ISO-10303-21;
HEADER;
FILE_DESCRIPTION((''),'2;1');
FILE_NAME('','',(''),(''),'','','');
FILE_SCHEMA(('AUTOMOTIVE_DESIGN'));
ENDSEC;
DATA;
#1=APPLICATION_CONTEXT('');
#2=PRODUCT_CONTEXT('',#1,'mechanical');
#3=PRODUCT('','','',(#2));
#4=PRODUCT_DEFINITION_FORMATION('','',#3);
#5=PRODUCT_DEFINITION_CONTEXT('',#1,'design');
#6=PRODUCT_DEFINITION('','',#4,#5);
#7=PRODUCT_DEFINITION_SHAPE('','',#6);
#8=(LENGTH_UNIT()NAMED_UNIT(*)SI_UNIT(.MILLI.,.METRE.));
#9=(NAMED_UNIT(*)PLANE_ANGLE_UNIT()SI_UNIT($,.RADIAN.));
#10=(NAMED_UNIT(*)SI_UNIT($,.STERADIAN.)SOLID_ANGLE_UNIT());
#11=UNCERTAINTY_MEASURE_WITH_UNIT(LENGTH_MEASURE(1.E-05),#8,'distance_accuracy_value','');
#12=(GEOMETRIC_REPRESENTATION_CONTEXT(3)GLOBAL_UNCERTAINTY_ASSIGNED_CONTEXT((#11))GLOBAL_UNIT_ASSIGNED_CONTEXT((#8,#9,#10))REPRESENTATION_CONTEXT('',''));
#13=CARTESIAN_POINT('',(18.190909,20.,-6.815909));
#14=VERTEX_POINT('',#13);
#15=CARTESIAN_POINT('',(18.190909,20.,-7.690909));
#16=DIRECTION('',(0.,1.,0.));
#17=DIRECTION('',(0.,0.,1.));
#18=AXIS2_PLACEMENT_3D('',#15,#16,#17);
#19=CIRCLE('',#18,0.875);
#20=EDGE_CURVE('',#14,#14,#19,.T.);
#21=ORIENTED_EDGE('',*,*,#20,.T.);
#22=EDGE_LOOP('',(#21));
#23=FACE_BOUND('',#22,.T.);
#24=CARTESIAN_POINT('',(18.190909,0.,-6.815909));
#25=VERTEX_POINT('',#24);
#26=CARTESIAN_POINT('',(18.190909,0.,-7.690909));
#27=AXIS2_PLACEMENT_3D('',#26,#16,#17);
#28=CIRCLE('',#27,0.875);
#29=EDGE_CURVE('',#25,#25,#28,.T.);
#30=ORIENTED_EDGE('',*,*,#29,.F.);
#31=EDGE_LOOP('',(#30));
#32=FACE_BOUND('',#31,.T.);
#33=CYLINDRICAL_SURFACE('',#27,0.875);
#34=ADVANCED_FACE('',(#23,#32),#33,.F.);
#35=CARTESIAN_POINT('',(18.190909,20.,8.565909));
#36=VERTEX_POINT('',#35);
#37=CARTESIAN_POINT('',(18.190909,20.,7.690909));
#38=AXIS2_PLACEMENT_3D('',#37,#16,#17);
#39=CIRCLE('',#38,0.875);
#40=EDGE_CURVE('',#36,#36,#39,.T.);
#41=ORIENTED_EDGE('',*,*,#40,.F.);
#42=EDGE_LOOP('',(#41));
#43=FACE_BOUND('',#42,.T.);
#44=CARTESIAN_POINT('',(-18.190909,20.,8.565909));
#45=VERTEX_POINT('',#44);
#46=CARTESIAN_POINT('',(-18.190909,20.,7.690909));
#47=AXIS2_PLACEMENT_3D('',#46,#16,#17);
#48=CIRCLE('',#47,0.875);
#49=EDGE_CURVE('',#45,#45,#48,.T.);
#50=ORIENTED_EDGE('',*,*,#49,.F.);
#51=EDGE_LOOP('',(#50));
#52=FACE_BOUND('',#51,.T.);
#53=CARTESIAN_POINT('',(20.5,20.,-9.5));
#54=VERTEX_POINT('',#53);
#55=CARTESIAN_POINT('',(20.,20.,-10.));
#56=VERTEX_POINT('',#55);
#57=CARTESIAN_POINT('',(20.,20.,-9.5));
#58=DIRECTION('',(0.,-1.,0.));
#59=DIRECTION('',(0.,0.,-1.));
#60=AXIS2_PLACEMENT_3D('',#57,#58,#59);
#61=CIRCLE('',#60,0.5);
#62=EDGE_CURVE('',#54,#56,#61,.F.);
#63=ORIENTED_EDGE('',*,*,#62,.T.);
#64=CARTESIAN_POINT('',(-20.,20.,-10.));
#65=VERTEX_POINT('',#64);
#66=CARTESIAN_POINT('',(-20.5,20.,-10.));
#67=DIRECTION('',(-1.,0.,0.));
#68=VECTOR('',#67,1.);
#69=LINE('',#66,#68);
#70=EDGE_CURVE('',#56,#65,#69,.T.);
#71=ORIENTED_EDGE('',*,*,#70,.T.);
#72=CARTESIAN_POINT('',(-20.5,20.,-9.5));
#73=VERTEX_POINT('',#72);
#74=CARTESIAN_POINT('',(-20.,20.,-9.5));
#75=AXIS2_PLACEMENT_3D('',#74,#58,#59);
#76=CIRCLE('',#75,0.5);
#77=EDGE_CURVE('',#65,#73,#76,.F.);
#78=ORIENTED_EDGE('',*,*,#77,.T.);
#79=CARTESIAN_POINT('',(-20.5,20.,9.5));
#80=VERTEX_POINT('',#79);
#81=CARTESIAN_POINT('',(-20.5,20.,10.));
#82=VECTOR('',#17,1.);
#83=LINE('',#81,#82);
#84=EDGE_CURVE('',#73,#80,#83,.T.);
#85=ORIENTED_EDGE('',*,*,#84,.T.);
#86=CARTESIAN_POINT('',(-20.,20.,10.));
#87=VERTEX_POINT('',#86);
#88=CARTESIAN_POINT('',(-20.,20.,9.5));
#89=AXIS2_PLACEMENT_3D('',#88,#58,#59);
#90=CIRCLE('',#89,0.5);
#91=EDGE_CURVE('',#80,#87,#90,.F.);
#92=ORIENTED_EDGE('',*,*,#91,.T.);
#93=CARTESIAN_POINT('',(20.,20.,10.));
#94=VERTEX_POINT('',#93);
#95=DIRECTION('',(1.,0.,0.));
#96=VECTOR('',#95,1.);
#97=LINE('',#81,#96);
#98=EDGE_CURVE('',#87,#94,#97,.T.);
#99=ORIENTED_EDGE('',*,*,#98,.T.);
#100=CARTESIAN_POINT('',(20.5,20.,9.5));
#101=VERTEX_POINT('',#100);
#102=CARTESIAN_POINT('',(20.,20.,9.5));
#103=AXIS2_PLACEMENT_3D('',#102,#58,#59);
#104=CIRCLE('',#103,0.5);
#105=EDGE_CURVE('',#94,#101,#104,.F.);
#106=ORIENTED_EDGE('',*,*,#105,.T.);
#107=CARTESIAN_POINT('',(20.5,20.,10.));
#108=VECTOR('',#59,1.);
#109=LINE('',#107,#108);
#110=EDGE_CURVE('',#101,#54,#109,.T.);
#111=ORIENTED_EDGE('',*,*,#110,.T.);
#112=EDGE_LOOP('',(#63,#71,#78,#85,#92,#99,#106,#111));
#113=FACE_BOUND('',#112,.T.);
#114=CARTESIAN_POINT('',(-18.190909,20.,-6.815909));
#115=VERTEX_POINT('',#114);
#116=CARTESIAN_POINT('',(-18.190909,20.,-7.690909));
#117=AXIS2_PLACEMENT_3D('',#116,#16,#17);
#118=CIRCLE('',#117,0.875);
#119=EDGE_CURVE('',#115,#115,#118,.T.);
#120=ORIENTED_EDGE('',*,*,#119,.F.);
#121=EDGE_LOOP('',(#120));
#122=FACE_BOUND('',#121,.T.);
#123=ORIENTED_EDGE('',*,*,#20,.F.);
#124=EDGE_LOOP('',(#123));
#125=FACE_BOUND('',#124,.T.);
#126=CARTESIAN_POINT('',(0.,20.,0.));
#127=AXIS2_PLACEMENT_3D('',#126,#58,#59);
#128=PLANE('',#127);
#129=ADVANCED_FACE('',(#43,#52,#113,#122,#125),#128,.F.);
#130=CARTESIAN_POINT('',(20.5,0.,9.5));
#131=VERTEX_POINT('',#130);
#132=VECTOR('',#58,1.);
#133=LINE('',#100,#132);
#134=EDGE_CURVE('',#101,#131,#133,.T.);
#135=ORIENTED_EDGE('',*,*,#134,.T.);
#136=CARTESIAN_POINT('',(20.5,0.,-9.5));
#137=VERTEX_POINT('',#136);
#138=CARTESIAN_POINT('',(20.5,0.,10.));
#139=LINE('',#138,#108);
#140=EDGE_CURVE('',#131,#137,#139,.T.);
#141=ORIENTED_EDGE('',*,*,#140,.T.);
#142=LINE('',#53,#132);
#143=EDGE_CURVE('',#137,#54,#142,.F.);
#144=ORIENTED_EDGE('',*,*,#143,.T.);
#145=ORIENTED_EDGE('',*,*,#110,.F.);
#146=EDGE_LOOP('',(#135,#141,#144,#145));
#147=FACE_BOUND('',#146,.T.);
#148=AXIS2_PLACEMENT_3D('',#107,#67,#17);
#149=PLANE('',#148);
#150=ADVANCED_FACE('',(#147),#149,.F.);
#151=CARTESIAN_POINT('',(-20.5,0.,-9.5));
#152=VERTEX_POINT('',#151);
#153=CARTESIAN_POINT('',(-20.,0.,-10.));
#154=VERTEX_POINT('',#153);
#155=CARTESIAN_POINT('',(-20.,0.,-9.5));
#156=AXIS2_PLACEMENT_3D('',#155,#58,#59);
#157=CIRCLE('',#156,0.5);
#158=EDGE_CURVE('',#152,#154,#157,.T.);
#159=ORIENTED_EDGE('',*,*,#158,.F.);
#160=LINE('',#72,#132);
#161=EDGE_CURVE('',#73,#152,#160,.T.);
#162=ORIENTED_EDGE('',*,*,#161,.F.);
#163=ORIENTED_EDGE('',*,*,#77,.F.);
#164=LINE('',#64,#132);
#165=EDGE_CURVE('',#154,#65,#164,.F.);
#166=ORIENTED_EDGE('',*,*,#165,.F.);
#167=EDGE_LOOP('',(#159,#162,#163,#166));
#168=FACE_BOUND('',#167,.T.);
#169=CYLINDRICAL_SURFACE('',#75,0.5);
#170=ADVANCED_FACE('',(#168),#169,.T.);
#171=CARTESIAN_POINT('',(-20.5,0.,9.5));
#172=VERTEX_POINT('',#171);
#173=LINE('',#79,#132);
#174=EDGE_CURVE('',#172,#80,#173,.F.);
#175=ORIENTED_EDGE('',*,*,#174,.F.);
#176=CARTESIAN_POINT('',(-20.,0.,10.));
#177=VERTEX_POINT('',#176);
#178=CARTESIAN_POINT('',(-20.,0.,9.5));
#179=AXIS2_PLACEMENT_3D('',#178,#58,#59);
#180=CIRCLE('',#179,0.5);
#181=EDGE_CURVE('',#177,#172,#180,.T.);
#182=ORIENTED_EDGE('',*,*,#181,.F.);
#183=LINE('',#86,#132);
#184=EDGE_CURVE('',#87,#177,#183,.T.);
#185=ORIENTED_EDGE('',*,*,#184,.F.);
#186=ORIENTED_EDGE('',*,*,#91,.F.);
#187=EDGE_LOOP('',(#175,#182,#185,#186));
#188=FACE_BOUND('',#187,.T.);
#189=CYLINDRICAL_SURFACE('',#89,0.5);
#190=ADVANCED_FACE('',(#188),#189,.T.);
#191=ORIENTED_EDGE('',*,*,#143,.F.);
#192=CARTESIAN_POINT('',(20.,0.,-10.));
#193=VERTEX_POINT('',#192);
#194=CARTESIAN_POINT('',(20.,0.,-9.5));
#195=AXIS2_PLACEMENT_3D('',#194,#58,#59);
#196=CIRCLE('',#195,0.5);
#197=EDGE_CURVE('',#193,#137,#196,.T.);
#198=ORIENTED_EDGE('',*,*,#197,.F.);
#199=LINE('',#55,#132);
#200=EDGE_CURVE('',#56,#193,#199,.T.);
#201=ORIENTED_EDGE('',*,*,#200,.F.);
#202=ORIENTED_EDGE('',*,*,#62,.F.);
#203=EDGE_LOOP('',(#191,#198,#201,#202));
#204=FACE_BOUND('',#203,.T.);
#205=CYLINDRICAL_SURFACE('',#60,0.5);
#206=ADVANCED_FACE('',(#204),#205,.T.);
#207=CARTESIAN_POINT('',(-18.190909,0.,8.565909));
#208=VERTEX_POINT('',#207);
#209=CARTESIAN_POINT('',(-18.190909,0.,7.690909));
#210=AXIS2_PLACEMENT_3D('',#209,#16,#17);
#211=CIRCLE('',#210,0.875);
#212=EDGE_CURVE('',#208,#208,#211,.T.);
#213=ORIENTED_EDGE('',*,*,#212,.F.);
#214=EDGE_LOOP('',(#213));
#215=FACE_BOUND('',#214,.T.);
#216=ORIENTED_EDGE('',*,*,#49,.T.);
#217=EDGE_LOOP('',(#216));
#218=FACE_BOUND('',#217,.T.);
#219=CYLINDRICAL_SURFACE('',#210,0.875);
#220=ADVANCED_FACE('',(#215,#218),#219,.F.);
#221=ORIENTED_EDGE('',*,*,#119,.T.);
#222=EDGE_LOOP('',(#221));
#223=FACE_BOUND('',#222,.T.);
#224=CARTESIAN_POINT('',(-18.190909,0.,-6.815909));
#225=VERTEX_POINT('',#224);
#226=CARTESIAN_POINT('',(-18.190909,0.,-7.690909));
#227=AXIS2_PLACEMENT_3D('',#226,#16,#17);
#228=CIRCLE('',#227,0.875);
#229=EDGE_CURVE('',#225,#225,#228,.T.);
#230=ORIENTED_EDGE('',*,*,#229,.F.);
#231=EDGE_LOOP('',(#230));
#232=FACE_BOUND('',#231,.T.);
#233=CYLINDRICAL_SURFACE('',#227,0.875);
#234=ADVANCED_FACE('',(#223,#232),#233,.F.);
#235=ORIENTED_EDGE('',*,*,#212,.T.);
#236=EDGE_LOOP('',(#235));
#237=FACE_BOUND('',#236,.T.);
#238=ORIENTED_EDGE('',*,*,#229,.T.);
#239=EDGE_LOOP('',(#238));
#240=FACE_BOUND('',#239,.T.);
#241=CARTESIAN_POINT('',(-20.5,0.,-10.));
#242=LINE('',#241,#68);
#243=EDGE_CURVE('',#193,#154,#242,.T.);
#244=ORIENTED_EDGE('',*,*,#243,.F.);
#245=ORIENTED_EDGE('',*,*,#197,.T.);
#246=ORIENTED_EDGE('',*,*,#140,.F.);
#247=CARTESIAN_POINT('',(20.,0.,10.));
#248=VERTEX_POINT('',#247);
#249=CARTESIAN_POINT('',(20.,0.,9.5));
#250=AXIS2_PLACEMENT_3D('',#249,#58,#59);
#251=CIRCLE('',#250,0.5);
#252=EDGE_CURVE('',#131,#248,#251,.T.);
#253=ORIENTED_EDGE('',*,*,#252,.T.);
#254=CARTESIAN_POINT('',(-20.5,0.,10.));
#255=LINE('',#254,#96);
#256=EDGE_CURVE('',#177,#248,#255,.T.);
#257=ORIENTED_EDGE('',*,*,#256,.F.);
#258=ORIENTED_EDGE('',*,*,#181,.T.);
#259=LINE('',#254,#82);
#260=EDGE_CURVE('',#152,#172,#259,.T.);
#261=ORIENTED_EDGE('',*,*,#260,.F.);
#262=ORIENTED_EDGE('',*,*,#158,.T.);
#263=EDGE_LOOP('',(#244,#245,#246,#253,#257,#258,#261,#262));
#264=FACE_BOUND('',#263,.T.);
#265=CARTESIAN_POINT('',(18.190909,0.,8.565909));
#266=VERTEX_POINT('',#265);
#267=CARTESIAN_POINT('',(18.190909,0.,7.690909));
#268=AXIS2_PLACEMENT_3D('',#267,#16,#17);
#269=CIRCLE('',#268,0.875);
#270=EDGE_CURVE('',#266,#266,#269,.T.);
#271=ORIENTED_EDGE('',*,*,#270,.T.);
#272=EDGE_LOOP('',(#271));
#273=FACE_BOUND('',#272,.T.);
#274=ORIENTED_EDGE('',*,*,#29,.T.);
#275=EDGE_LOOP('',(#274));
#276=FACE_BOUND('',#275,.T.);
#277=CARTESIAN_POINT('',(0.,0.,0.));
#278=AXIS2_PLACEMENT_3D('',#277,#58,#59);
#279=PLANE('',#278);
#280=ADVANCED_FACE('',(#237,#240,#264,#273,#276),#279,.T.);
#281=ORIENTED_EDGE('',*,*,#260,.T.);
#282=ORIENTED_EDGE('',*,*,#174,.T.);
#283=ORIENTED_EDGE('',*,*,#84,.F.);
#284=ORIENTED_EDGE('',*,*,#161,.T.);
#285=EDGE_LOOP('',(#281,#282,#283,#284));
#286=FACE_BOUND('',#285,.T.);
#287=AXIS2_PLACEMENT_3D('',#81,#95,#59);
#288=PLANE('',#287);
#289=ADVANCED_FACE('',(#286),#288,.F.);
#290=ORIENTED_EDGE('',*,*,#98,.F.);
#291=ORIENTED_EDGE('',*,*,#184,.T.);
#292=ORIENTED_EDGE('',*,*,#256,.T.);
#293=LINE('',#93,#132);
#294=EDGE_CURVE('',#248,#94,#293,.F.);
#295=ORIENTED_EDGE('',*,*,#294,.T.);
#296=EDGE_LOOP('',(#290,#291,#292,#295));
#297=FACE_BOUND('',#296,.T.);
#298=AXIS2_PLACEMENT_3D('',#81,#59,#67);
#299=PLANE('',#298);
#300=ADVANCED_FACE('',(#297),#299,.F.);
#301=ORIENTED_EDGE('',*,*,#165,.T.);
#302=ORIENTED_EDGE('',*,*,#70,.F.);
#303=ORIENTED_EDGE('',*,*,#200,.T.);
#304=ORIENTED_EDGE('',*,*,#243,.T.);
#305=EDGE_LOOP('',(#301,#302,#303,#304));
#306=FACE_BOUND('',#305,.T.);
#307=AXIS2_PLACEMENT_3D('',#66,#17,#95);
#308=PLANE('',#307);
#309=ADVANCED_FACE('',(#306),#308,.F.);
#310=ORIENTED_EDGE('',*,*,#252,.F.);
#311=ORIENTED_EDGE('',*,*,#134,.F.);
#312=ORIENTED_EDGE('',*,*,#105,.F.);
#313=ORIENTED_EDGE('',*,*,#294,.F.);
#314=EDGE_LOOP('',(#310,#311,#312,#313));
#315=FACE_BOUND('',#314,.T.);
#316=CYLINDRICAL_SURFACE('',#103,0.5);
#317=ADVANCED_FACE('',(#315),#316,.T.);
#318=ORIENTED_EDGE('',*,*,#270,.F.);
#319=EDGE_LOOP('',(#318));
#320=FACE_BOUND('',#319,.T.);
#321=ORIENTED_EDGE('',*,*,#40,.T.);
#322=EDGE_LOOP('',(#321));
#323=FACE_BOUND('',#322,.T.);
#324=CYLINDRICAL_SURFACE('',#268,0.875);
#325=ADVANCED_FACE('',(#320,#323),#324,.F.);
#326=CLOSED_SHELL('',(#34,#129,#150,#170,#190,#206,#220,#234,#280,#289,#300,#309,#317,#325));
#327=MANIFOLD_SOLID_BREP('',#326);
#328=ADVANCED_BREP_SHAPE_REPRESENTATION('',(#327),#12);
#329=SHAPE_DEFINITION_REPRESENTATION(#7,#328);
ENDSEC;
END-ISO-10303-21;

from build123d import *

# Parameters (mm, degrees)
SKETCH2_W           = 41
SKETCH2_H           = 20
BOSS_EXTRUDE1_DEPTH = 20
FILLET1_R           = 0.5
SKETCH3_R           = 0.875
CUT_EXTRUDE1_DEPTH  = 21


with BuildPart() as part:
    # Sketch2 → Boss-Extrude1 (new body)
    with BuildSketch(Plane(origin=(0, 0, 0), x_dir=(1, 0, 0), z_dir=(0, 1, 0))):
        Rectangle(SKETCH2_W, SKETCH2_H)
    extrude(amount=BOSS_EXTRUDE1_DEPTH)

    # Fillet1
    fillet1_edges = [part.edges().sort_by_distance(p)[0] for p in [
        (20.5, 10, 10),
        (-20.5, 10, 10),
        (-20.5, 10, -10),
        (20.5, 10, -10),
    ]]
    fillet(fillet1_edges, radius=FILLET1_R)

    # Sketch3 → Cut-Extrude1 (cut, through all)
    with BuildSketch(Plane(origin=(0, 20, 0), x_dir=(1, 0, 0), z_dir=(0, 1, 0))):
        with Locations((18.190909091, 7.690909091)):
            Circle(SKETCH3_R)
        with Locations((18.190909091, -7.690909091)):
            Circle(SKETCH3_R)
        with Locations((-18.190909091, 7.690909091)):
            Circle(SKETCH3_R)
        with Locations((-18.190909091, -7.690909091)):
            Circle(SKETCH3_R)
    extrude(amount=-CUT_EXTRUDE1_DEPTH, mode=Mode.SUBTRACT)


solid = part.part
